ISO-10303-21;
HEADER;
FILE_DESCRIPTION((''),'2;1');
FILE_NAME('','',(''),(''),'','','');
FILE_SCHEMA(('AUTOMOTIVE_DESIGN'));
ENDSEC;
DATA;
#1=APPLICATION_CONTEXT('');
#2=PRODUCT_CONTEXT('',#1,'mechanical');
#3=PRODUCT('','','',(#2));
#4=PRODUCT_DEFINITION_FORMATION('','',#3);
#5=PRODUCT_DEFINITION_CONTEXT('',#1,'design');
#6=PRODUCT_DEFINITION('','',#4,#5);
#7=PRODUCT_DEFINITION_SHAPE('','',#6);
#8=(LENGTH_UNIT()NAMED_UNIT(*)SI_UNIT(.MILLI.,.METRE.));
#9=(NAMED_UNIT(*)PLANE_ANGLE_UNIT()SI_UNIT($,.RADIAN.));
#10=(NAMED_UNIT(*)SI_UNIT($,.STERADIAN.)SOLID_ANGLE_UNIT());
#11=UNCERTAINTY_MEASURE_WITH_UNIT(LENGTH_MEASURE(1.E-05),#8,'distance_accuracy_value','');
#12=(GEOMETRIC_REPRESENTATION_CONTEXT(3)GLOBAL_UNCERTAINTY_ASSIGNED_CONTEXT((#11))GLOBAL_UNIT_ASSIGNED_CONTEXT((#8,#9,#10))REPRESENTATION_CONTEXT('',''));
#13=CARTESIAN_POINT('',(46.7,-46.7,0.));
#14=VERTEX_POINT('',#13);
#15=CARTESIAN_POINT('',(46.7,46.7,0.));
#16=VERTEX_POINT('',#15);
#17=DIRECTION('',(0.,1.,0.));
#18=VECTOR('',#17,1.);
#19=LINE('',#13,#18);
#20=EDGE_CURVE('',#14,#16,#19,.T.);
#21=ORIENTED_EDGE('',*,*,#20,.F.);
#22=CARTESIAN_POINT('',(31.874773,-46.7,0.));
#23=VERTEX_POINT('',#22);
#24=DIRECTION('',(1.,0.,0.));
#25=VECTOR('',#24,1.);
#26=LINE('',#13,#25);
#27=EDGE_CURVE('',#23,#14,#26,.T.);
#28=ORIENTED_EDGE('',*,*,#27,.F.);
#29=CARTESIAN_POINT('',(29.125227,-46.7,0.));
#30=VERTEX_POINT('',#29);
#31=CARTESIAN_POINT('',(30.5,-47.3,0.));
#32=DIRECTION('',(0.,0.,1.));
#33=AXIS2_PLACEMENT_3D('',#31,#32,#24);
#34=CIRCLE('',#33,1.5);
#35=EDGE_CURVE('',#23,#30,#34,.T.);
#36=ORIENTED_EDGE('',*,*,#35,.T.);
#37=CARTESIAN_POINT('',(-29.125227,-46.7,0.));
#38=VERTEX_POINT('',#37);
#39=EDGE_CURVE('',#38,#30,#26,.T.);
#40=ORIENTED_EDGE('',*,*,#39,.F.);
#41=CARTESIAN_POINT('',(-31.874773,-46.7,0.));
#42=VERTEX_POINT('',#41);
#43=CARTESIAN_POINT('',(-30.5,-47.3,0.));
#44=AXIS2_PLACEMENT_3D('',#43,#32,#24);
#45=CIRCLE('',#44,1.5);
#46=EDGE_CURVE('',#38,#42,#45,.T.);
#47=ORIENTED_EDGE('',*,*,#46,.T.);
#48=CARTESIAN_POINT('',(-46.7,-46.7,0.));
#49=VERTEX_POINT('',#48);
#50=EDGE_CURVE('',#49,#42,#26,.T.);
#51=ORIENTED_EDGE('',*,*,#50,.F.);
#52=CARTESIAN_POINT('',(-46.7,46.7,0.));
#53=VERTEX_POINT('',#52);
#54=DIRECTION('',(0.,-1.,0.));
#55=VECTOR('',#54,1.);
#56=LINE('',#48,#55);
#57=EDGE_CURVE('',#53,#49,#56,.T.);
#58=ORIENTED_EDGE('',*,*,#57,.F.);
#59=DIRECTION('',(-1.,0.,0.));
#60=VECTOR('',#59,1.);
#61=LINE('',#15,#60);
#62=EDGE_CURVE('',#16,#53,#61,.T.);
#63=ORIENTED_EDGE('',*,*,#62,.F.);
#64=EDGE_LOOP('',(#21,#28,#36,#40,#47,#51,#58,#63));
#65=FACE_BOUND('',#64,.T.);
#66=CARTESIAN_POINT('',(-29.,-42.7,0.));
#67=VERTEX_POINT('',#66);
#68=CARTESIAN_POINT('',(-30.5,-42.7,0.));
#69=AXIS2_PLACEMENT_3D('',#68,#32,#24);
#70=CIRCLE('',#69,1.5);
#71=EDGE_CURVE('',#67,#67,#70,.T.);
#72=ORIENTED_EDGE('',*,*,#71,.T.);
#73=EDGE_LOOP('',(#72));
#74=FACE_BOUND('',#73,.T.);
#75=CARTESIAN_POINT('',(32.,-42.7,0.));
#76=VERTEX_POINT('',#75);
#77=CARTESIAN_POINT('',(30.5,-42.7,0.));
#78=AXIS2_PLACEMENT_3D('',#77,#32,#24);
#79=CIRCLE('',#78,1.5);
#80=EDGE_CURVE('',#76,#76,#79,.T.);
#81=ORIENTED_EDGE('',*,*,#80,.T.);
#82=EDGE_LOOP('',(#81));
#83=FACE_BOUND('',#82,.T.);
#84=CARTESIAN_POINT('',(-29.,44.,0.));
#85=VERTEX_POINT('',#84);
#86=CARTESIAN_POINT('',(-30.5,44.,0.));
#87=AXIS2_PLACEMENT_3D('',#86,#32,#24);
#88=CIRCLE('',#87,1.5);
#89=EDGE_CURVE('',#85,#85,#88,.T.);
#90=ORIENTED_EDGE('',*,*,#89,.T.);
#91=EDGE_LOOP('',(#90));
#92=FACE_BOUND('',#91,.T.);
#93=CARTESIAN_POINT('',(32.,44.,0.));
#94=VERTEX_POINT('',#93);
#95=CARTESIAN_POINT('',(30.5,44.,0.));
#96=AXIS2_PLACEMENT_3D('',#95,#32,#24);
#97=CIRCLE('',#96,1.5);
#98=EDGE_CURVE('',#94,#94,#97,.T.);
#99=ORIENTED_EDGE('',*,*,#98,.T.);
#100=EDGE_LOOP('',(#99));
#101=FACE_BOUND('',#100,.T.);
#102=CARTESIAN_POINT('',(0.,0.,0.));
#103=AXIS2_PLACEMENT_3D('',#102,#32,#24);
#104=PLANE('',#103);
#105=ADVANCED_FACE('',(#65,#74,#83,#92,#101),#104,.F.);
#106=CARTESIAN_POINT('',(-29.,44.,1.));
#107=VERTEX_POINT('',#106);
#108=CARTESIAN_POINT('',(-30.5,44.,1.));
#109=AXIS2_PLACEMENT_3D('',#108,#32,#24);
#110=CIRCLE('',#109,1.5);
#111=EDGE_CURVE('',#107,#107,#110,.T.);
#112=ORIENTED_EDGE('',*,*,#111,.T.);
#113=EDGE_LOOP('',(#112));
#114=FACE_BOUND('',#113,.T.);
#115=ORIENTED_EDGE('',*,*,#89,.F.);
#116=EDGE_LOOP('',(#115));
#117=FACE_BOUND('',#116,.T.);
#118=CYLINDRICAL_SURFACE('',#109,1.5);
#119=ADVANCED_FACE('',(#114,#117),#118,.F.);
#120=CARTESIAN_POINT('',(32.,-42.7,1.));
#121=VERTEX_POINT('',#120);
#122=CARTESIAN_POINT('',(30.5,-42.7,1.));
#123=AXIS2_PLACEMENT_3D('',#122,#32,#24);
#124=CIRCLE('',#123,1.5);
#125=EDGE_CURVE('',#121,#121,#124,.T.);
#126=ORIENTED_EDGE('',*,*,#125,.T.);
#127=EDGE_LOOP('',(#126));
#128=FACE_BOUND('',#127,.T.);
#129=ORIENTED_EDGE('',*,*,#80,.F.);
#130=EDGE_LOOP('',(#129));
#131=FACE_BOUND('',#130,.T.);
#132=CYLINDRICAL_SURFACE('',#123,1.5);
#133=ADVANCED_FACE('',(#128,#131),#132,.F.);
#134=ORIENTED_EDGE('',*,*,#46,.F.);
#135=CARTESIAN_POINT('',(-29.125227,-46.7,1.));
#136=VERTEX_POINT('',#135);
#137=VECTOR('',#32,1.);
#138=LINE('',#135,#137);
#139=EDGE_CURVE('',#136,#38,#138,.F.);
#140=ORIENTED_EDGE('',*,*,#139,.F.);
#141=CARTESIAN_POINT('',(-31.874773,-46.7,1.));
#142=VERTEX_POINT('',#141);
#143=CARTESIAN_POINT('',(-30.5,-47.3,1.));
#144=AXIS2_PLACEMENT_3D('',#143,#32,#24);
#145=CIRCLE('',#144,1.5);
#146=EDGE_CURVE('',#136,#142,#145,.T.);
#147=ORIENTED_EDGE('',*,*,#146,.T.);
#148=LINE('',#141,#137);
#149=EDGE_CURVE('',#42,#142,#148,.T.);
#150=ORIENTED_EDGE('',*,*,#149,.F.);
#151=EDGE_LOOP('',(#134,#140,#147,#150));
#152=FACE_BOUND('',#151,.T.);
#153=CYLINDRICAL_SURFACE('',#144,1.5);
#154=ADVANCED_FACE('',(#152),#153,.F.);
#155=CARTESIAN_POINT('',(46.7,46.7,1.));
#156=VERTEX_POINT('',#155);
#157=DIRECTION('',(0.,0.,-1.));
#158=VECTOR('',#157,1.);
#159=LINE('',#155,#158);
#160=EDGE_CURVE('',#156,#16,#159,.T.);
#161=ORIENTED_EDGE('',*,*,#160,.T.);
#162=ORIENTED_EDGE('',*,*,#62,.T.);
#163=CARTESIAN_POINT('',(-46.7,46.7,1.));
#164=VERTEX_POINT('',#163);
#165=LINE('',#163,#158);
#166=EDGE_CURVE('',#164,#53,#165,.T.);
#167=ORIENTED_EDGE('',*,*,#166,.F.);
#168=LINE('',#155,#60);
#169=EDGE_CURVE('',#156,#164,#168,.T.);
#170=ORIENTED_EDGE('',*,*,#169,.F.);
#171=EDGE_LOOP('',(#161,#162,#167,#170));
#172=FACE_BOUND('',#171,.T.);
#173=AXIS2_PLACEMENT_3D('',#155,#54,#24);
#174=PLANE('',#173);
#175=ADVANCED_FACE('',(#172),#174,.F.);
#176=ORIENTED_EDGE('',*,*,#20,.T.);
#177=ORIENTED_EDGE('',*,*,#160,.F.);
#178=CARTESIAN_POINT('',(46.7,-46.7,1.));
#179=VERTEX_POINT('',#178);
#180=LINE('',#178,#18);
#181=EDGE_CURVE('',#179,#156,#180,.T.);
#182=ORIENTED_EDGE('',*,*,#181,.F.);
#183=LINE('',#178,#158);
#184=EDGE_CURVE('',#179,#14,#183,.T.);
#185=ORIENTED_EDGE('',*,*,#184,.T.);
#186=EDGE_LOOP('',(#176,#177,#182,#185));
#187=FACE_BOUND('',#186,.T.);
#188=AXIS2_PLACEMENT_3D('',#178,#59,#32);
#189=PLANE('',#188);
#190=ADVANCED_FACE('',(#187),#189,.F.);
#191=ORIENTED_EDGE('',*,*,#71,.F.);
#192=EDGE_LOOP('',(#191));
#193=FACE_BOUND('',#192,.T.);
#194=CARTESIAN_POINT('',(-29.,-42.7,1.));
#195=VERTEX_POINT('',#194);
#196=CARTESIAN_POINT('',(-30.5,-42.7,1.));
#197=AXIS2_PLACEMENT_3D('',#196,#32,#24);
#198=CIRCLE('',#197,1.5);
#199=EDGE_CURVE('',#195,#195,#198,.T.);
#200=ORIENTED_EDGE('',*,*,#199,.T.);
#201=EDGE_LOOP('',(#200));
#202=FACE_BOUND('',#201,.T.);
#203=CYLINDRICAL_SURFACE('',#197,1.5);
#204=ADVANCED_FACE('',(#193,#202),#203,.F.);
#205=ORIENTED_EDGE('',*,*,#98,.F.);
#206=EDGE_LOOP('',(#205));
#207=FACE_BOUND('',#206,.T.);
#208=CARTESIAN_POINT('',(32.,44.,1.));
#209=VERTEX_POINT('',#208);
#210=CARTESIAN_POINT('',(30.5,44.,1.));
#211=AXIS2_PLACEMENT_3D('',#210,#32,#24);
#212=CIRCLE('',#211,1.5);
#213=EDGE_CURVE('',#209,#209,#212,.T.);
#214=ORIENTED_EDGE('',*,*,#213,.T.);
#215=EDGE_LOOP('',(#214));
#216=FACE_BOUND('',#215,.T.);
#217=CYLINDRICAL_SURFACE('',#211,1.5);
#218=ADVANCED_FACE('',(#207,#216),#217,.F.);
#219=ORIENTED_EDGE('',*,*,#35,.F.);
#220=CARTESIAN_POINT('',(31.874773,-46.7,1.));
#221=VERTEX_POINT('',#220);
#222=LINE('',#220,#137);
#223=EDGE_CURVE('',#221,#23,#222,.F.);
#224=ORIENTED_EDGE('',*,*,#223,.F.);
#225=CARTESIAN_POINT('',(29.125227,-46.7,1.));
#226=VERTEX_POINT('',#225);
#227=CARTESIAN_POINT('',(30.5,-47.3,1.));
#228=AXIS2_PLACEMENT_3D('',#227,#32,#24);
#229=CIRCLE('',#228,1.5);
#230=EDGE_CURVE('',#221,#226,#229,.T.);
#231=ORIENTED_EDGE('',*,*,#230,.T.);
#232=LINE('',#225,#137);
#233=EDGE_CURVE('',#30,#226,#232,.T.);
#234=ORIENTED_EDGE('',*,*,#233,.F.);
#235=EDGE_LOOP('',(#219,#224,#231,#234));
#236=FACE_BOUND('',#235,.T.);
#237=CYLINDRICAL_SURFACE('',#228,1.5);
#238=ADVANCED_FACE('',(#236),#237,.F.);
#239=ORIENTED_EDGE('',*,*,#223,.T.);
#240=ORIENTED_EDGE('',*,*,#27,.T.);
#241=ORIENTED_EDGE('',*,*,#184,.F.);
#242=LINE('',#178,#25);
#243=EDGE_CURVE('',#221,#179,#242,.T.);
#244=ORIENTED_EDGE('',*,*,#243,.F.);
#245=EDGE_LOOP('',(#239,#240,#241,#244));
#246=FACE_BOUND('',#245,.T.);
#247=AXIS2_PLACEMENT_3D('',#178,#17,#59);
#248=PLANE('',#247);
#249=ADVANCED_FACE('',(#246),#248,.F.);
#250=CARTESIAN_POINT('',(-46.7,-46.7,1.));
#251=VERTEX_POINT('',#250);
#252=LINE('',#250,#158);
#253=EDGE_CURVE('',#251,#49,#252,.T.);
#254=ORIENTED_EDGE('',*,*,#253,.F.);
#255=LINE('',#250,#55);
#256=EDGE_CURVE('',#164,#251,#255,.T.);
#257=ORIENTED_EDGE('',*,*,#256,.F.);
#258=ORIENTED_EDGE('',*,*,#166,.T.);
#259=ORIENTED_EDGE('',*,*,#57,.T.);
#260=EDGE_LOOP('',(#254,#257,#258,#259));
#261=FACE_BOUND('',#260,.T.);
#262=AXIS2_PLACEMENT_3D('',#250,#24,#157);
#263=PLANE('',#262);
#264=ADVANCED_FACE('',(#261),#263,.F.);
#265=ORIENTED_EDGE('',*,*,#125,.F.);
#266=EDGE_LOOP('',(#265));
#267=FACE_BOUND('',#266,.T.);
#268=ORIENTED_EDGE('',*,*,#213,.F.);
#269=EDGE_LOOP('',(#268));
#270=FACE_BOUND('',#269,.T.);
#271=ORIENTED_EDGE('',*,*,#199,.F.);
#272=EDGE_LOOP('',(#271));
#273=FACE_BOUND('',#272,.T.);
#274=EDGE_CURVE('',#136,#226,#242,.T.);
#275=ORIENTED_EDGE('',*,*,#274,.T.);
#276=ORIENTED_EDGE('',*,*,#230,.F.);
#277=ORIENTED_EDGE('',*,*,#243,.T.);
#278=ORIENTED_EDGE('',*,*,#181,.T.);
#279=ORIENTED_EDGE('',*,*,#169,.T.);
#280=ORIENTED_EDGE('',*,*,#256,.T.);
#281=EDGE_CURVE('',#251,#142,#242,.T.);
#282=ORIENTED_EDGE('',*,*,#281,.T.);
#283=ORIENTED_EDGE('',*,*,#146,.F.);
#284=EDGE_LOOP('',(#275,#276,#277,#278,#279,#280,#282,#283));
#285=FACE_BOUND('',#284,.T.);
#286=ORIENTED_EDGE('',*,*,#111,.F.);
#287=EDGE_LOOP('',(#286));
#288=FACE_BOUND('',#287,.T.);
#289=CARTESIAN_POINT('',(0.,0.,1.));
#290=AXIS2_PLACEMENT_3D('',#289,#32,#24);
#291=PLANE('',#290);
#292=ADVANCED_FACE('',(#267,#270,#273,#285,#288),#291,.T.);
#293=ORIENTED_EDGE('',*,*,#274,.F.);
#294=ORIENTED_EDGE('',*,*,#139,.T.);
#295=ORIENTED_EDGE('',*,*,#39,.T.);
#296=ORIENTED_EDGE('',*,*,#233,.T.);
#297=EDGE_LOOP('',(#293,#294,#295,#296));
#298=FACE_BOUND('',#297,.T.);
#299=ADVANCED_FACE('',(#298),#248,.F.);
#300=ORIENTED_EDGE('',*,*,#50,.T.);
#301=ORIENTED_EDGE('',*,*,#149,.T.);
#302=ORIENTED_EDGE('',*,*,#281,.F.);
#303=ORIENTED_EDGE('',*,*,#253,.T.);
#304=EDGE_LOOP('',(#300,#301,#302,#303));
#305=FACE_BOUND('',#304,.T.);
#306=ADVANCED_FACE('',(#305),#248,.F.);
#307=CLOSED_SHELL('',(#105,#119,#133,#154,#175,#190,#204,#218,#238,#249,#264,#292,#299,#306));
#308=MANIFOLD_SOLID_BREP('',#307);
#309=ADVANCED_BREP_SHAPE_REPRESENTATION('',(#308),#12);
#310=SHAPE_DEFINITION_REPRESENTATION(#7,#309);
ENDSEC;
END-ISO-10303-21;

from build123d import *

# Parameters (mm, degrees)
SKETCH1_W                    = 93.4
SKETCH1_H                    = 93.4
BOSS_EXTRUDE1_DEPTH          = 1
F_3_0_3_DIAMETER_HOLE1_D     = 3
F_3_0_3_DIAMETER_HOLE1_DEPTH = 1


with BuildPart() as part:
    # Sketch1 → Boss-Extrude1 (new body)
    with BuildSketch(Plane.XY):
        Rectangle(SKETCH1_W, SKETCH1_H)
    extrude(amount=BOSS_EXTRUDE1_DEPTH)

    # Ø3.0 (3) Diameter Hole1
    with Locations(Plane.XY.offset(1)):
        with Locations((-30.5, -47.3), (30.5, -47.3), (30.5, -42.7), (-30.5, -42.7), (-30.5, 44), (30.5, 44), (-30.5, -66), (30.5, -66)):
            Hole(F_3_0_3_DIAMETER_HOLE1_D / 2, depth=F_3_0_3_DIAMETER_HOLE1_DEPTH)


solid = part.part
